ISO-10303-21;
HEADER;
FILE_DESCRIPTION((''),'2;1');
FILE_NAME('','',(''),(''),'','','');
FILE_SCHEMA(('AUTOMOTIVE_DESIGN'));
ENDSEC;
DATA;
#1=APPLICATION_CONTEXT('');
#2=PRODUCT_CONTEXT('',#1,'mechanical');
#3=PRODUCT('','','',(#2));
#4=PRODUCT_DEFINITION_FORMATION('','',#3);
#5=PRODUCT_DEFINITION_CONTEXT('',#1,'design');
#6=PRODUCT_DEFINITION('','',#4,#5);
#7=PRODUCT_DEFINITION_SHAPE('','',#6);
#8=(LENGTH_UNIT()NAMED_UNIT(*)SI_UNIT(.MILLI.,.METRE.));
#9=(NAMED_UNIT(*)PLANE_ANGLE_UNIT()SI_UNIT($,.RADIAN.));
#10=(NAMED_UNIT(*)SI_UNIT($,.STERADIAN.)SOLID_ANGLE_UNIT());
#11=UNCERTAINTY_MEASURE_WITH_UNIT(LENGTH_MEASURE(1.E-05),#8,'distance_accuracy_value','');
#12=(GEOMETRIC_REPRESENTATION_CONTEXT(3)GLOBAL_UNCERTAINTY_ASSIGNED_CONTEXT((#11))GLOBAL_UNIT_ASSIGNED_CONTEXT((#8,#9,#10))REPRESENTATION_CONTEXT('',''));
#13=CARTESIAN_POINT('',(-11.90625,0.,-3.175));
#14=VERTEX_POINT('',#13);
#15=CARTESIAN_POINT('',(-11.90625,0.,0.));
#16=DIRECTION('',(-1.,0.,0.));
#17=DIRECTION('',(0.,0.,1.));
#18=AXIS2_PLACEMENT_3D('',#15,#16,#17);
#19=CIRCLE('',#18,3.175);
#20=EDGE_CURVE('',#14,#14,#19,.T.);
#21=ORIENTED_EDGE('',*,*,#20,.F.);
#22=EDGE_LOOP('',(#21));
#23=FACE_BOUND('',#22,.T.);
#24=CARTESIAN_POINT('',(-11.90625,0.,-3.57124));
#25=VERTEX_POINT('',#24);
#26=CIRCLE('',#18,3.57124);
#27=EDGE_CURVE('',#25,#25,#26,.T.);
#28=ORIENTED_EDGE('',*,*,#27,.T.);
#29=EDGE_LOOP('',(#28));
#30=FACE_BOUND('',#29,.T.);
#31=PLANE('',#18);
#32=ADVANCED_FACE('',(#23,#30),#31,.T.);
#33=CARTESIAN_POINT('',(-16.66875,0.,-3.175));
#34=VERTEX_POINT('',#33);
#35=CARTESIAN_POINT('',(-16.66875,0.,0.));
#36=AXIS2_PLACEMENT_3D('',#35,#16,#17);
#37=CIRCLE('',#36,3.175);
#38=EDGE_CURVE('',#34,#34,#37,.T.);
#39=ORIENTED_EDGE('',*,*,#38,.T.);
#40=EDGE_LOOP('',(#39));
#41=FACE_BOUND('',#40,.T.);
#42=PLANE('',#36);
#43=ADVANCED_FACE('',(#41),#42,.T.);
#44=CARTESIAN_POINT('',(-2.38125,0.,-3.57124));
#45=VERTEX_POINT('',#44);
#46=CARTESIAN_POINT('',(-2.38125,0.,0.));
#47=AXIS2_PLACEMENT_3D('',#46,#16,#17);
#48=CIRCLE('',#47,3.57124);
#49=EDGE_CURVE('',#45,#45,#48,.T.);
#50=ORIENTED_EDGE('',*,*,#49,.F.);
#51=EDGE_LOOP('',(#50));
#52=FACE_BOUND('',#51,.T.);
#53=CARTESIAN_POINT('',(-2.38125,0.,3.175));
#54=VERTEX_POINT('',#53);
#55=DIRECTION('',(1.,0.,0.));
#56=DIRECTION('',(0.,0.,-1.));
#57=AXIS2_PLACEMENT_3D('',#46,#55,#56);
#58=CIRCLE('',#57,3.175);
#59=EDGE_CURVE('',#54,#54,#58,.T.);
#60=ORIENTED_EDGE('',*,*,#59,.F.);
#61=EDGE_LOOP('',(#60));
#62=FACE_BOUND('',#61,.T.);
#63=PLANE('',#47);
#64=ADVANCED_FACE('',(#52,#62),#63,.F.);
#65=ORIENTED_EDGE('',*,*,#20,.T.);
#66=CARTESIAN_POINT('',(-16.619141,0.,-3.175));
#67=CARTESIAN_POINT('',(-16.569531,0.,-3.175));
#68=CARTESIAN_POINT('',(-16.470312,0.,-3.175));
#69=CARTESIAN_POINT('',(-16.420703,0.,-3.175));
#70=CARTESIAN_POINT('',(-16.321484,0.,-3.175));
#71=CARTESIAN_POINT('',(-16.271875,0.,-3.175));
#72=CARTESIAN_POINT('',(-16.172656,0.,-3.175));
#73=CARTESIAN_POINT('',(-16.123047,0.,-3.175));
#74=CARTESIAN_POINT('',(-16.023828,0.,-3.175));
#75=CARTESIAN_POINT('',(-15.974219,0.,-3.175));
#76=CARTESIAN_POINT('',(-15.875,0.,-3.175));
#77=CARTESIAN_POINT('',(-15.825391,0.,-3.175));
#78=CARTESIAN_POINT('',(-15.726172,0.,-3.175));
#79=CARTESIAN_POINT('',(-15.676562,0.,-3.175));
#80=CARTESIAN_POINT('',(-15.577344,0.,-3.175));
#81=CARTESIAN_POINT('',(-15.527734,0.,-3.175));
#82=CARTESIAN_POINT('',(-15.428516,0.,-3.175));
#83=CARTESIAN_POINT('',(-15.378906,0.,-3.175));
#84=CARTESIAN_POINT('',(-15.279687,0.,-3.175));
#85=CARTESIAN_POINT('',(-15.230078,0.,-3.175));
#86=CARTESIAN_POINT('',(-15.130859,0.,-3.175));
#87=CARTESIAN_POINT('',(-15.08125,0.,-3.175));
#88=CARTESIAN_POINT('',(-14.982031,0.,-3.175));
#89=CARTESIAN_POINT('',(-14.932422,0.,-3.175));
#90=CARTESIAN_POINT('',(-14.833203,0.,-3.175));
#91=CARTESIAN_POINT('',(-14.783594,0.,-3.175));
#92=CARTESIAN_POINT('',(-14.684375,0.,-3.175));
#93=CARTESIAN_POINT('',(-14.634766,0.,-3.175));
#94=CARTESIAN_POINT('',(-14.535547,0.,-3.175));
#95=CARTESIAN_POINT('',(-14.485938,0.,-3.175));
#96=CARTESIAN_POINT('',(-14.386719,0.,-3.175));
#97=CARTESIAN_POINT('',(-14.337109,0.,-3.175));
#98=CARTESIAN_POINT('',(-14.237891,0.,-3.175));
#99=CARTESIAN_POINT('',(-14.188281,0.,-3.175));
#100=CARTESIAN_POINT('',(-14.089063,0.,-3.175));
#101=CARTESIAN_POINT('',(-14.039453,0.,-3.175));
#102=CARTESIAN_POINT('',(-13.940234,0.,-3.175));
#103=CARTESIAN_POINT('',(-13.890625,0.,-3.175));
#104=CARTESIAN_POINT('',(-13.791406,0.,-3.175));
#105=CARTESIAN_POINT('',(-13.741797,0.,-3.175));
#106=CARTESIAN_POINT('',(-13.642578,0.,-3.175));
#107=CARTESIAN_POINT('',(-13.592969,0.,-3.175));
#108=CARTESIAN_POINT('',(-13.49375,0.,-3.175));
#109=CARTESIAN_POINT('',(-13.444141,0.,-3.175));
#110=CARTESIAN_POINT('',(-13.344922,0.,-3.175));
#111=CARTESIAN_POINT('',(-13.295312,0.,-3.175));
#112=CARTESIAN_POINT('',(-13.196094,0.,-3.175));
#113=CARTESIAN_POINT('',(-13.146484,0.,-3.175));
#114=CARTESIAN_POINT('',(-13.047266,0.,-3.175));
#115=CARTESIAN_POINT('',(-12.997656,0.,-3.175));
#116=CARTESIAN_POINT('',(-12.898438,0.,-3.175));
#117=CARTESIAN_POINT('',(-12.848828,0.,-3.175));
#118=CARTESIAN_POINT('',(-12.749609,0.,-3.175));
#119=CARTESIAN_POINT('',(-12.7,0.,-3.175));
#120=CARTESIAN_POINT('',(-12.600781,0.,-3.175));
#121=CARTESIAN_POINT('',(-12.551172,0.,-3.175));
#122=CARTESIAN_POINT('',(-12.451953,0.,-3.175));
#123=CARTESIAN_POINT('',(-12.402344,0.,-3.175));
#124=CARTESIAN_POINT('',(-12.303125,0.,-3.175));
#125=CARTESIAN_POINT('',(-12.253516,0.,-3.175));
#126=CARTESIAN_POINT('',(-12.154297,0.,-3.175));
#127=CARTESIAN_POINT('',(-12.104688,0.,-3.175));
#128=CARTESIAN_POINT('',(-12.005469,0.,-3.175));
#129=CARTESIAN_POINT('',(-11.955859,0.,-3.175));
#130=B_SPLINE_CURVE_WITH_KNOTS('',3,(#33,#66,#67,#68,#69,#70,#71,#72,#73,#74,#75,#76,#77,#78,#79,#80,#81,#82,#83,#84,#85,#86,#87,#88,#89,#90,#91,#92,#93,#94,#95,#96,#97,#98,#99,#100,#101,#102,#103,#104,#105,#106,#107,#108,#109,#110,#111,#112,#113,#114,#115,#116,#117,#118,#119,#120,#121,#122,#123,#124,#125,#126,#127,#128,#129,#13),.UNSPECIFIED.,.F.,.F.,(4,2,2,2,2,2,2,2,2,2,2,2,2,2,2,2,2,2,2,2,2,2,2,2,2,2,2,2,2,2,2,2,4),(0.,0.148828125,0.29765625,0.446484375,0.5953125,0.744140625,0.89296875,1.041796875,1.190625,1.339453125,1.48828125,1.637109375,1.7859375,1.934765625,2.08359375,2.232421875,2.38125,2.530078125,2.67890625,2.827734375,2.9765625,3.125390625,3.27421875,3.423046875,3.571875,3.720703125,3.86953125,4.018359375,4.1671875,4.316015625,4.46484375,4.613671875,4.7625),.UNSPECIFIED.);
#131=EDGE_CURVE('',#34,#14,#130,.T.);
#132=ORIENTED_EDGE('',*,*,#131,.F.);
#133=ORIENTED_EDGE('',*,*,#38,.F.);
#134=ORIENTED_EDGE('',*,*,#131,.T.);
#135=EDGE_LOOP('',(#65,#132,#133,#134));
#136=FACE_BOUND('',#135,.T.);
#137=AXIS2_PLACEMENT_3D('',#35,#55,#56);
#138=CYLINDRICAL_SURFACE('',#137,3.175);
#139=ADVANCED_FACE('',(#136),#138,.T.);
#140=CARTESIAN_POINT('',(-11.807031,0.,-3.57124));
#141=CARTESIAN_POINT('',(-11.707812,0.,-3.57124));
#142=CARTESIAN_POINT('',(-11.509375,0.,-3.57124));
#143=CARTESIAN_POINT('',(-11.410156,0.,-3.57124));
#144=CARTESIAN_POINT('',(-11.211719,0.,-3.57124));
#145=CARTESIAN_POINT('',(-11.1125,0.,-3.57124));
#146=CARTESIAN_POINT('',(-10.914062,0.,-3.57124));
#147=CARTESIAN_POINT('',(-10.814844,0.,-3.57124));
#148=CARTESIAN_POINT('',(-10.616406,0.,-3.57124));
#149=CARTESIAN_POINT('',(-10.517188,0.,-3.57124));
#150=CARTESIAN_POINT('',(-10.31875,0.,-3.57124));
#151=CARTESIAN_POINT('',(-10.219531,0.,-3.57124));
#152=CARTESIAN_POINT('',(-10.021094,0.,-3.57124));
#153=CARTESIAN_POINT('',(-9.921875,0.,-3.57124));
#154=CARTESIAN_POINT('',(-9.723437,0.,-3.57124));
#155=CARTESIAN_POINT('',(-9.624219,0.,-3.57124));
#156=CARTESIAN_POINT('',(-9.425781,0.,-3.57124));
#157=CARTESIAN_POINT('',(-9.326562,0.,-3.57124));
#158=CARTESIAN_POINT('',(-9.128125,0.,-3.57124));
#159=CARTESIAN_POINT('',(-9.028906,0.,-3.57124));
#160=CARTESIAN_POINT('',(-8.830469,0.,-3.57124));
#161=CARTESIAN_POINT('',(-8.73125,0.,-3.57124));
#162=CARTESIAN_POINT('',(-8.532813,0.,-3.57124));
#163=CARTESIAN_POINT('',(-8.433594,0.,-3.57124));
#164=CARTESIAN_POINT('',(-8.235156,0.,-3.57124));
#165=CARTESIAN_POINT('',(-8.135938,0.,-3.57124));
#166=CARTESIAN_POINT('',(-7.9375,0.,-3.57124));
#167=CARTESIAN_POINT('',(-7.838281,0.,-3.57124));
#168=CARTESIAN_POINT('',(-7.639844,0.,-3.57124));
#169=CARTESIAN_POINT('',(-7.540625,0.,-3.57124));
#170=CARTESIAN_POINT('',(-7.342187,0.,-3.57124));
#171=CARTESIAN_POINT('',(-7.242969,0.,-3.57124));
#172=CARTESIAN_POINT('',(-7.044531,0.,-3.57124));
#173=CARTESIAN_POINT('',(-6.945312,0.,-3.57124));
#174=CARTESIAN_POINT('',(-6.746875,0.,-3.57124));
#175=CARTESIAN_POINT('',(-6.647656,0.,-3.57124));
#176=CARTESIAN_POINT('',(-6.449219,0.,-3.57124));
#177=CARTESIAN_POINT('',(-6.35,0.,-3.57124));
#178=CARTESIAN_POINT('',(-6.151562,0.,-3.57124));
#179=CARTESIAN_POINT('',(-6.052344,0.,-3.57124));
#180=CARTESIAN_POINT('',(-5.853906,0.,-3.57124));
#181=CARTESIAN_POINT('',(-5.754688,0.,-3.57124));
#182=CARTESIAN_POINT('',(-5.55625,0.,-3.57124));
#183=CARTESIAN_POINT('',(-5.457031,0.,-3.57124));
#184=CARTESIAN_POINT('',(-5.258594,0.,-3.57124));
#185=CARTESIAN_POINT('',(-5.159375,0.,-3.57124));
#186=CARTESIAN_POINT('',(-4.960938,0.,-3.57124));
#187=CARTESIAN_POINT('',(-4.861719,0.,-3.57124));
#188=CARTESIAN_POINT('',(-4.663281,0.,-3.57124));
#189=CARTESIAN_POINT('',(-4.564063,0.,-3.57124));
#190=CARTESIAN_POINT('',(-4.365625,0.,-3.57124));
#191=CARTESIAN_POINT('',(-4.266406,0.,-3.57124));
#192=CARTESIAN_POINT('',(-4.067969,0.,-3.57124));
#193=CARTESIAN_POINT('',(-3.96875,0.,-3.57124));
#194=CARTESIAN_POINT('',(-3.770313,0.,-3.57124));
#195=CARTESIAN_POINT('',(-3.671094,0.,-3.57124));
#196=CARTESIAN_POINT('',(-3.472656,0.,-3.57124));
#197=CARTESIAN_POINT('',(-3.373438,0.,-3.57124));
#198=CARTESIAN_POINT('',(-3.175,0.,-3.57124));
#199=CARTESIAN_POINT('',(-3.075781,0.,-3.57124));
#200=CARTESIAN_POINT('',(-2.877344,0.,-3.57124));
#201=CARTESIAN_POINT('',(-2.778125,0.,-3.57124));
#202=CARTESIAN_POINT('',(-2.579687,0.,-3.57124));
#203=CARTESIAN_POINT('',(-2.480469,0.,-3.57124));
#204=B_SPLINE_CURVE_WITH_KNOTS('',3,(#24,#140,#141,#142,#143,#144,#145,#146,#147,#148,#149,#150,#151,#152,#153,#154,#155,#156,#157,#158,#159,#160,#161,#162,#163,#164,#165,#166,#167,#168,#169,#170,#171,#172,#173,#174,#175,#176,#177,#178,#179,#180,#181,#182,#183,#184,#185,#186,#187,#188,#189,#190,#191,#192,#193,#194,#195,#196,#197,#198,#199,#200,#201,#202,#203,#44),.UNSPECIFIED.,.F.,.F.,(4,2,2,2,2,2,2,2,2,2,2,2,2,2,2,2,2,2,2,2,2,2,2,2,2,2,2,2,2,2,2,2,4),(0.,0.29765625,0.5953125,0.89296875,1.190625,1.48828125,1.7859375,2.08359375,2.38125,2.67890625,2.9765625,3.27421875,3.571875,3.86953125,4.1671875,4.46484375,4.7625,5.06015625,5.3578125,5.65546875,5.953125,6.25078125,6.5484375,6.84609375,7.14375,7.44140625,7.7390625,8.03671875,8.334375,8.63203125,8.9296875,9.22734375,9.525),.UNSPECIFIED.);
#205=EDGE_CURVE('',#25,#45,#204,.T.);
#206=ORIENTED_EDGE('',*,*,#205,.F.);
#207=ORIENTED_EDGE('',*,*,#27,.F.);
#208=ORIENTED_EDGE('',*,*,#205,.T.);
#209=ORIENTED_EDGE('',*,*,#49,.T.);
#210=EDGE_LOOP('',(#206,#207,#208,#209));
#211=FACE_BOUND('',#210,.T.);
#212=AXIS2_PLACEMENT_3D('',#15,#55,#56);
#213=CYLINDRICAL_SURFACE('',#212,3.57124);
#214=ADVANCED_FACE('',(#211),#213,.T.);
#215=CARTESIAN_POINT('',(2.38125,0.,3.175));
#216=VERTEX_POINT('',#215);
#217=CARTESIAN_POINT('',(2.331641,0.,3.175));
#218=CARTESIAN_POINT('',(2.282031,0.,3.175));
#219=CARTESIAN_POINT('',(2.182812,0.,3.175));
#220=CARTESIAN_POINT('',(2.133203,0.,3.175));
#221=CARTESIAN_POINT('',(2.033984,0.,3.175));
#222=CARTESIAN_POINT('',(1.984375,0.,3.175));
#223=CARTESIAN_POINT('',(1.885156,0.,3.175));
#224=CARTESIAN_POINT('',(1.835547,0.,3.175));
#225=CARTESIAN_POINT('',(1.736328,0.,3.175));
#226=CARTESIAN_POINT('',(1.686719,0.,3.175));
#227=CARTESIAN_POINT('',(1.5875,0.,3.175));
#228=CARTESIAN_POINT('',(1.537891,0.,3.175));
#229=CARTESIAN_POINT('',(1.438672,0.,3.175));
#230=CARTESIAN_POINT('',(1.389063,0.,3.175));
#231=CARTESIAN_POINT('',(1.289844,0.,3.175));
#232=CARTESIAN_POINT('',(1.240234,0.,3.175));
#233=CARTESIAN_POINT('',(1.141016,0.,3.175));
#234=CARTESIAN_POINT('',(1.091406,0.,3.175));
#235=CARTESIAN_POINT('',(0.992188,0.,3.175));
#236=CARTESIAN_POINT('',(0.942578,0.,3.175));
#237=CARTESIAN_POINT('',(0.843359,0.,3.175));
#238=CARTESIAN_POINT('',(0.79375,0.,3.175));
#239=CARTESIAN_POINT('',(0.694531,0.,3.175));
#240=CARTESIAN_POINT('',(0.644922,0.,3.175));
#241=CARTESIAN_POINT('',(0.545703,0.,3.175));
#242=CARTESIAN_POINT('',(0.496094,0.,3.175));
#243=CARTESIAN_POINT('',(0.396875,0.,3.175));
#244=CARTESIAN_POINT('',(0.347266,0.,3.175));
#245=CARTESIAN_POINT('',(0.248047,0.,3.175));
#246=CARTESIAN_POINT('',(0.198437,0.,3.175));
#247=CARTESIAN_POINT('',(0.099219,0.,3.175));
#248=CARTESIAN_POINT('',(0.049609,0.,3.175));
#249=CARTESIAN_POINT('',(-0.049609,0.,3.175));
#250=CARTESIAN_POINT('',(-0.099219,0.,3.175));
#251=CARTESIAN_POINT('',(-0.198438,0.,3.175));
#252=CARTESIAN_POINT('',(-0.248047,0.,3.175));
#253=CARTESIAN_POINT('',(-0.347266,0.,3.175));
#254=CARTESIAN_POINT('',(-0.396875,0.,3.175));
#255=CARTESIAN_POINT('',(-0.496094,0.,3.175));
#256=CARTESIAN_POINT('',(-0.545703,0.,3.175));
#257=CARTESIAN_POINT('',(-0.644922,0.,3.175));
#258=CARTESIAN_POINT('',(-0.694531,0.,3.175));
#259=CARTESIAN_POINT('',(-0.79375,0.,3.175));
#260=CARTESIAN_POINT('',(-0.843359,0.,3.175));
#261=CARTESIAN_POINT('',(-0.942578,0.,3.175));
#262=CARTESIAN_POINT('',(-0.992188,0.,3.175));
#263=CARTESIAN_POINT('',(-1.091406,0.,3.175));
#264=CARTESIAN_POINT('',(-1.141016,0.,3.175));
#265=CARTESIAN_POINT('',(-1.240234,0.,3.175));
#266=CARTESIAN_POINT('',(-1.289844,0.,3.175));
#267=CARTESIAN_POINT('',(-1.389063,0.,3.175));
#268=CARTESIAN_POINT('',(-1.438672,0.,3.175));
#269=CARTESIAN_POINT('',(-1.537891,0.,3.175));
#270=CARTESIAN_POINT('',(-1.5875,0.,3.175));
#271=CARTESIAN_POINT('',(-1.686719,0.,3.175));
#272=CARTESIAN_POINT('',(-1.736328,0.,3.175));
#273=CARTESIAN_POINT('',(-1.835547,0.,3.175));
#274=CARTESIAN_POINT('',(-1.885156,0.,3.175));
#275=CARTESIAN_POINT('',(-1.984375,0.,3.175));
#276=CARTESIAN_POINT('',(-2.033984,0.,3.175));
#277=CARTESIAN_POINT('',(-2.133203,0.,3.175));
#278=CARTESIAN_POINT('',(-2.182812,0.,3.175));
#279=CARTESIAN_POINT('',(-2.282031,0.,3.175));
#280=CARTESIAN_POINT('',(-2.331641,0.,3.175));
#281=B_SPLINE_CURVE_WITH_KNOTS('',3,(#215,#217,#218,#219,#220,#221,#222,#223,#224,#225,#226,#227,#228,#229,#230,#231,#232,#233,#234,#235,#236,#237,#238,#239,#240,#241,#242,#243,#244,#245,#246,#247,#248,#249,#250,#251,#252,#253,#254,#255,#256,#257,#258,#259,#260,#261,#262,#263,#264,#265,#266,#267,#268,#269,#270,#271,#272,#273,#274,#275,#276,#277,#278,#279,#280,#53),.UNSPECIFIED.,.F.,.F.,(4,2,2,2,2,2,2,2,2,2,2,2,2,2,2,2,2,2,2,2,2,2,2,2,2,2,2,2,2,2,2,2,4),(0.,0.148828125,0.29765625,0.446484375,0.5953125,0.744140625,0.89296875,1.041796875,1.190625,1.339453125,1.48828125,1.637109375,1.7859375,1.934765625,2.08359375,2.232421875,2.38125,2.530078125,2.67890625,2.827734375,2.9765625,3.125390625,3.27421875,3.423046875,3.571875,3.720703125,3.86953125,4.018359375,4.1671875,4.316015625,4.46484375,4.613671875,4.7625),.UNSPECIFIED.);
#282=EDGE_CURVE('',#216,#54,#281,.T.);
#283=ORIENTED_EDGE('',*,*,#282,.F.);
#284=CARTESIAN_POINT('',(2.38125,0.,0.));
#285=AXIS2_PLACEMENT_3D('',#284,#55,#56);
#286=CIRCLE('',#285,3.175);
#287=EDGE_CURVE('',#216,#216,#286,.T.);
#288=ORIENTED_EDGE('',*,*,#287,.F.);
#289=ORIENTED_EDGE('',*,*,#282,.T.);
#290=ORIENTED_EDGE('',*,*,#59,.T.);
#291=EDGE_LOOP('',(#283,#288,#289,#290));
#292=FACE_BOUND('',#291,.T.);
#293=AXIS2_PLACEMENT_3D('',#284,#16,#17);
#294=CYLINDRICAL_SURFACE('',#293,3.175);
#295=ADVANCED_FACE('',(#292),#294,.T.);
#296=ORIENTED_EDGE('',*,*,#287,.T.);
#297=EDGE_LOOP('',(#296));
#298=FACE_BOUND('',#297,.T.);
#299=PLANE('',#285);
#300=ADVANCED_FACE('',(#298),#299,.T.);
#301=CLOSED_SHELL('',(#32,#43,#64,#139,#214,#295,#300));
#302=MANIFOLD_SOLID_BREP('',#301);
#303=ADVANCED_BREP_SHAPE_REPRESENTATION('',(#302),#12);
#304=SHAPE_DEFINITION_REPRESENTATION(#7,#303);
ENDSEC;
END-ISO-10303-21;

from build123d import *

# Parameters (mm, degrees)
SKETCH2_R           = 3.175
BOSS_EXTRUDE1_DEPTH = 2.38125
SKETCH3_R           = 3.57124
BOSS_EXTRUDE2_DEPTH = 9.525
SKETCH5_R           = 3.175
BOSS_EXTRUDE3_DEPTH = 4.7625


with BuildPart() as part:
    # Sketch2 → Boss-Extrude1 (new, symmetric)
    with BuildSketch(Plane(origin=(0, 0, 0), x_dir=(0, 0, -1), z_dir=(1, 0, 0))):
        with Locations(Location((0, 0, 0), (0, 0, 180))):
            Circle(SKETCH2_R)
    extrude(amount=BOSS_EXTRUDE1_DEPTH, both=True)

    # Sketch3 → Boss-Extrude2 (add)
    with BuildSketch(Plane.ZY.offset(2.38125)):
        with Locations(Location((0, 0, 0), (0, 0, 180))):
            Circle(SKETCH3_R)
    extrude(amount=BOSS_EXTRUDE2_DEPTH)

    # Sketch5 → Boss-Extrude3 (add)
    with BuildSketch(Plane.ZY.offset(11.90625)):
        Circle(SKETCH5_R)
    extrude(amount=BOSS_EXTRUDE3_DEPTH)


solid = part.part
